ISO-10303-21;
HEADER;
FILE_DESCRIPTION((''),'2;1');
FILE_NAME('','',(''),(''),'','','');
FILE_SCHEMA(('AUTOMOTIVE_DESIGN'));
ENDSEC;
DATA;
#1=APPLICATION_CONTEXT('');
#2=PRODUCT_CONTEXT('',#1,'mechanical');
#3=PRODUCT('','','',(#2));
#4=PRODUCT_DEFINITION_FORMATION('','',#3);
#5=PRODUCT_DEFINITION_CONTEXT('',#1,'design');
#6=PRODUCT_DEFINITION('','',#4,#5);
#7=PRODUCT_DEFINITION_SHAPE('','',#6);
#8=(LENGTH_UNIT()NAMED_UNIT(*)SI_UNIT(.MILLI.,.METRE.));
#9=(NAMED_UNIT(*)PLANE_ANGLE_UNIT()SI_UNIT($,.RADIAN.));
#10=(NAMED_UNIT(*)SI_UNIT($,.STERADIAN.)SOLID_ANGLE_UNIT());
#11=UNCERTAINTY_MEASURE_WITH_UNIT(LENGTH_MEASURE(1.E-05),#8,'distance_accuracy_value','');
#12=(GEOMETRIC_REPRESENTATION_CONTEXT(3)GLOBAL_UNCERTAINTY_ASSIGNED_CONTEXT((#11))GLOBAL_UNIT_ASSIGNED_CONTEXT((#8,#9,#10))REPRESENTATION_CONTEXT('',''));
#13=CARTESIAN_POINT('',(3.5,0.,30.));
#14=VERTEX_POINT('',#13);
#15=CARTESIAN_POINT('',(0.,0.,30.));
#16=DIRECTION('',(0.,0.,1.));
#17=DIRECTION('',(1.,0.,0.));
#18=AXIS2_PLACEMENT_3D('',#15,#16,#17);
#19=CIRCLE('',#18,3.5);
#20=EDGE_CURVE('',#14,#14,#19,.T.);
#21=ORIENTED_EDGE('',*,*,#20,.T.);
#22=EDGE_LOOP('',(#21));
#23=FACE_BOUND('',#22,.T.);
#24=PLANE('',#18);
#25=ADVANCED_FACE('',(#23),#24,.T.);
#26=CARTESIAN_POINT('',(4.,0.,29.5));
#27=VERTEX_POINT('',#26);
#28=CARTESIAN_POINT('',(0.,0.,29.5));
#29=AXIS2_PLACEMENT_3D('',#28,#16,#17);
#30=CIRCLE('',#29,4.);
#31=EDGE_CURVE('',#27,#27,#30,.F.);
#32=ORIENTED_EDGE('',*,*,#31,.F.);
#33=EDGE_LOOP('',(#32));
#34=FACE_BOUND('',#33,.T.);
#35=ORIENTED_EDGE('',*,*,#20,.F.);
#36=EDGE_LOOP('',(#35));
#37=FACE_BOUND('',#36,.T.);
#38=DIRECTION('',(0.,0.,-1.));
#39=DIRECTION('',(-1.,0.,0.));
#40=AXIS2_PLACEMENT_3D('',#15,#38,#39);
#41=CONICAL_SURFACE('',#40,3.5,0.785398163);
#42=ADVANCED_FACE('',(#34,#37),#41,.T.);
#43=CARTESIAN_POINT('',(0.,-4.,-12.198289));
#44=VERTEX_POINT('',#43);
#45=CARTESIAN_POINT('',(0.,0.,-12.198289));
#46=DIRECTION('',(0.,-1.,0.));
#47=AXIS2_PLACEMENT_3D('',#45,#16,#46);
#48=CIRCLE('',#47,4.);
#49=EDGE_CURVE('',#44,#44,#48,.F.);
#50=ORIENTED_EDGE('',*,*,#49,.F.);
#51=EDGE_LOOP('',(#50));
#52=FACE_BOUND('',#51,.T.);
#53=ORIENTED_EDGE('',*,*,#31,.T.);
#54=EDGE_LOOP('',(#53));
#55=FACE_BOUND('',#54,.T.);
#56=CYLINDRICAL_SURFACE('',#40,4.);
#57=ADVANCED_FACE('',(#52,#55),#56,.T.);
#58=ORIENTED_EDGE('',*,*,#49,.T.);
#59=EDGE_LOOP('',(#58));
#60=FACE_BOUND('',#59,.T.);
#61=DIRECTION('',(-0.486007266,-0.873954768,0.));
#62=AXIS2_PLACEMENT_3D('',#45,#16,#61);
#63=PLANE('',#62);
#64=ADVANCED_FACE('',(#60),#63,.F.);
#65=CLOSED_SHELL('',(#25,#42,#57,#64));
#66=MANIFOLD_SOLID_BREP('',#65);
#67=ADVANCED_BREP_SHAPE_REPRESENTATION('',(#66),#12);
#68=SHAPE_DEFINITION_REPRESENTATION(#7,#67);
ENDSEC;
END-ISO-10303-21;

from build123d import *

# Parameters (mm, degrees)
ESQUISSE1_R             = 4
BOSS_EXTRU_1_DEPTH      = 30
BOSS_EXTRU_1_DEPTH_BACK = 12.198289
CHANFREIN1_SIZE         = 0.5


with BuildPart() as part:
    # Esquisse1 → Boss.-Extru.1 (new body, two sides)
    with BuildSketch(Plane.XY) as boss_extru_1_sk:
        Circle(ESQUISSE1_R)
    extrude(amount=BOSS_EXTRU_1_DEPTH)
    extrude(boss_extru_1_sk.sketch, amount=-BOSS_EXTRU_1_DEPTH_BACK)

    # Chanfrein1
    chanfrein1_edges = [part.edges().sort_by_distance(p)[0] for p in [
        (-4, 0, 30),
    ]]
    chamfer(chanfrein1_edges, length=CHANFREIN1_SIZE)


solid = part.part
